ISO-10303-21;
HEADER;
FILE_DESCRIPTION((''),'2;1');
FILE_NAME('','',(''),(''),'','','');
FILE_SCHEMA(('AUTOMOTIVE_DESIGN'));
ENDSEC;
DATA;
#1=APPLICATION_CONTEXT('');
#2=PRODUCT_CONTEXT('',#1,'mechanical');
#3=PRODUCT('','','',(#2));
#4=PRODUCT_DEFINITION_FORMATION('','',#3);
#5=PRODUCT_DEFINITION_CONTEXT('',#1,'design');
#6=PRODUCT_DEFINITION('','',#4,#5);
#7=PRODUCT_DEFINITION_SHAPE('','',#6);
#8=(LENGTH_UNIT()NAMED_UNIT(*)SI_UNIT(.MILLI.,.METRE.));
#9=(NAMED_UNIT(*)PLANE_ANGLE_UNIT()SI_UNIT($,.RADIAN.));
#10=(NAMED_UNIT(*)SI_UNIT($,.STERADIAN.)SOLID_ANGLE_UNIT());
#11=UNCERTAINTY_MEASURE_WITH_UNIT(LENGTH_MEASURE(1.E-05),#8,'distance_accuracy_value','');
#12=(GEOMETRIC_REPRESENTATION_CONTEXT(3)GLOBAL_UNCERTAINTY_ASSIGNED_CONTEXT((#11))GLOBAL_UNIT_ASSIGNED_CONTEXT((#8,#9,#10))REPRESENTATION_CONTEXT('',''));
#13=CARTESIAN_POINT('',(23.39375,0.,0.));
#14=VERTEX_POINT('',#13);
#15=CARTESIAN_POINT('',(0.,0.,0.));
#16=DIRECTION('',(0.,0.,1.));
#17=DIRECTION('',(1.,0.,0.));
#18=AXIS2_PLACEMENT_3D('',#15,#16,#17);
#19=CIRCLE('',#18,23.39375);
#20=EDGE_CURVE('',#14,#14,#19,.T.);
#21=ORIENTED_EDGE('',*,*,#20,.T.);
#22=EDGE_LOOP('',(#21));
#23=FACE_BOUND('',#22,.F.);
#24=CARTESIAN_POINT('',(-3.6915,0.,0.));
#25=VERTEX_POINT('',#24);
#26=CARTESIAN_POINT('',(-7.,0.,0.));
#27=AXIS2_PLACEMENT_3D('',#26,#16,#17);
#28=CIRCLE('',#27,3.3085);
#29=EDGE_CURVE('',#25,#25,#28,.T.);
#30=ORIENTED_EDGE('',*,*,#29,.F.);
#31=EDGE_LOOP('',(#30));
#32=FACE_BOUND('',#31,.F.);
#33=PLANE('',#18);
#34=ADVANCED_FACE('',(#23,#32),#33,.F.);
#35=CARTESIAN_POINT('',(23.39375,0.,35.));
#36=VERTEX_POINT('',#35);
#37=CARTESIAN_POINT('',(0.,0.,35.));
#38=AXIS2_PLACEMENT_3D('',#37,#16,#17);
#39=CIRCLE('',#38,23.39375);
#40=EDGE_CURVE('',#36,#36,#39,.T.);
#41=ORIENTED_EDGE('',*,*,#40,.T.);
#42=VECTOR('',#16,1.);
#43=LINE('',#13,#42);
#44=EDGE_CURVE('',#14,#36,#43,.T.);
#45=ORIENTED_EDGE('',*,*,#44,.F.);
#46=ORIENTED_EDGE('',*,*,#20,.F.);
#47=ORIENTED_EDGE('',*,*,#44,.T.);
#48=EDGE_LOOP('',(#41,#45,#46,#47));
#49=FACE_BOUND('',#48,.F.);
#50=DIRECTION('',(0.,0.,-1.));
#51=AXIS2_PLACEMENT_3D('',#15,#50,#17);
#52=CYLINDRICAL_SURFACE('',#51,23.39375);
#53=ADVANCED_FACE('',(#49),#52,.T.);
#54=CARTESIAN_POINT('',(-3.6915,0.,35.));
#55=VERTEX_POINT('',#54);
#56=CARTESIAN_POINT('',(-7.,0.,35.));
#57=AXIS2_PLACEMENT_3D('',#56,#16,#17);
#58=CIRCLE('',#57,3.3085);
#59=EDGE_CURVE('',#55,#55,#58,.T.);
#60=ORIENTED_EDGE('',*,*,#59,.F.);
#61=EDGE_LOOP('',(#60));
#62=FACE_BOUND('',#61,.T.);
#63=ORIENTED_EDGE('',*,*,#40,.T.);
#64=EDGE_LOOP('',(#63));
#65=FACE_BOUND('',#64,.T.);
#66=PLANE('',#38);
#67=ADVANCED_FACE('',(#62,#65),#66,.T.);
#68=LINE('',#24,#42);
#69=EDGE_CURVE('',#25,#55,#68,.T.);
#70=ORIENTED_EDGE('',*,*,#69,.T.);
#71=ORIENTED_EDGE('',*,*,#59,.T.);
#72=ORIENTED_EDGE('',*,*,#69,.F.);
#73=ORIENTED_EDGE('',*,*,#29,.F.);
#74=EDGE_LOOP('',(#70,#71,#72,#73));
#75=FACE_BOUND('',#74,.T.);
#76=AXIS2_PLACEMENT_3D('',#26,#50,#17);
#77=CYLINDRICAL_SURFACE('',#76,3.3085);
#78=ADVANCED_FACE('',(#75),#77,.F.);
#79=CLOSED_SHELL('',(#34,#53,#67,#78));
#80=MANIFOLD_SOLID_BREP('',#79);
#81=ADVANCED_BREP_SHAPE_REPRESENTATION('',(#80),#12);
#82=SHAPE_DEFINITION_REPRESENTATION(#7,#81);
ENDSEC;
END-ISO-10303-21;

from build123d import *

# Parameters (mm, degrees)
SKETCH11_R           = 23.39375
SKETCH11_R_2         = 3.3085
BOSS_EXTRUDE13_DEPTH = 35


with BuildPart() as part:
    # Sketch11 → Boss-Extrude13 (new body)
    with BuildSketch(Plane.XY):
        Circle(SKETCH11_R)
        with Locations((-7, 0)):
            Circle(SKETCH11_R_2, mode=Mode.SUBTRACT)
    extrude(amount=BOSS_EXTRUDE13_DEPTH)


solid = part.part
